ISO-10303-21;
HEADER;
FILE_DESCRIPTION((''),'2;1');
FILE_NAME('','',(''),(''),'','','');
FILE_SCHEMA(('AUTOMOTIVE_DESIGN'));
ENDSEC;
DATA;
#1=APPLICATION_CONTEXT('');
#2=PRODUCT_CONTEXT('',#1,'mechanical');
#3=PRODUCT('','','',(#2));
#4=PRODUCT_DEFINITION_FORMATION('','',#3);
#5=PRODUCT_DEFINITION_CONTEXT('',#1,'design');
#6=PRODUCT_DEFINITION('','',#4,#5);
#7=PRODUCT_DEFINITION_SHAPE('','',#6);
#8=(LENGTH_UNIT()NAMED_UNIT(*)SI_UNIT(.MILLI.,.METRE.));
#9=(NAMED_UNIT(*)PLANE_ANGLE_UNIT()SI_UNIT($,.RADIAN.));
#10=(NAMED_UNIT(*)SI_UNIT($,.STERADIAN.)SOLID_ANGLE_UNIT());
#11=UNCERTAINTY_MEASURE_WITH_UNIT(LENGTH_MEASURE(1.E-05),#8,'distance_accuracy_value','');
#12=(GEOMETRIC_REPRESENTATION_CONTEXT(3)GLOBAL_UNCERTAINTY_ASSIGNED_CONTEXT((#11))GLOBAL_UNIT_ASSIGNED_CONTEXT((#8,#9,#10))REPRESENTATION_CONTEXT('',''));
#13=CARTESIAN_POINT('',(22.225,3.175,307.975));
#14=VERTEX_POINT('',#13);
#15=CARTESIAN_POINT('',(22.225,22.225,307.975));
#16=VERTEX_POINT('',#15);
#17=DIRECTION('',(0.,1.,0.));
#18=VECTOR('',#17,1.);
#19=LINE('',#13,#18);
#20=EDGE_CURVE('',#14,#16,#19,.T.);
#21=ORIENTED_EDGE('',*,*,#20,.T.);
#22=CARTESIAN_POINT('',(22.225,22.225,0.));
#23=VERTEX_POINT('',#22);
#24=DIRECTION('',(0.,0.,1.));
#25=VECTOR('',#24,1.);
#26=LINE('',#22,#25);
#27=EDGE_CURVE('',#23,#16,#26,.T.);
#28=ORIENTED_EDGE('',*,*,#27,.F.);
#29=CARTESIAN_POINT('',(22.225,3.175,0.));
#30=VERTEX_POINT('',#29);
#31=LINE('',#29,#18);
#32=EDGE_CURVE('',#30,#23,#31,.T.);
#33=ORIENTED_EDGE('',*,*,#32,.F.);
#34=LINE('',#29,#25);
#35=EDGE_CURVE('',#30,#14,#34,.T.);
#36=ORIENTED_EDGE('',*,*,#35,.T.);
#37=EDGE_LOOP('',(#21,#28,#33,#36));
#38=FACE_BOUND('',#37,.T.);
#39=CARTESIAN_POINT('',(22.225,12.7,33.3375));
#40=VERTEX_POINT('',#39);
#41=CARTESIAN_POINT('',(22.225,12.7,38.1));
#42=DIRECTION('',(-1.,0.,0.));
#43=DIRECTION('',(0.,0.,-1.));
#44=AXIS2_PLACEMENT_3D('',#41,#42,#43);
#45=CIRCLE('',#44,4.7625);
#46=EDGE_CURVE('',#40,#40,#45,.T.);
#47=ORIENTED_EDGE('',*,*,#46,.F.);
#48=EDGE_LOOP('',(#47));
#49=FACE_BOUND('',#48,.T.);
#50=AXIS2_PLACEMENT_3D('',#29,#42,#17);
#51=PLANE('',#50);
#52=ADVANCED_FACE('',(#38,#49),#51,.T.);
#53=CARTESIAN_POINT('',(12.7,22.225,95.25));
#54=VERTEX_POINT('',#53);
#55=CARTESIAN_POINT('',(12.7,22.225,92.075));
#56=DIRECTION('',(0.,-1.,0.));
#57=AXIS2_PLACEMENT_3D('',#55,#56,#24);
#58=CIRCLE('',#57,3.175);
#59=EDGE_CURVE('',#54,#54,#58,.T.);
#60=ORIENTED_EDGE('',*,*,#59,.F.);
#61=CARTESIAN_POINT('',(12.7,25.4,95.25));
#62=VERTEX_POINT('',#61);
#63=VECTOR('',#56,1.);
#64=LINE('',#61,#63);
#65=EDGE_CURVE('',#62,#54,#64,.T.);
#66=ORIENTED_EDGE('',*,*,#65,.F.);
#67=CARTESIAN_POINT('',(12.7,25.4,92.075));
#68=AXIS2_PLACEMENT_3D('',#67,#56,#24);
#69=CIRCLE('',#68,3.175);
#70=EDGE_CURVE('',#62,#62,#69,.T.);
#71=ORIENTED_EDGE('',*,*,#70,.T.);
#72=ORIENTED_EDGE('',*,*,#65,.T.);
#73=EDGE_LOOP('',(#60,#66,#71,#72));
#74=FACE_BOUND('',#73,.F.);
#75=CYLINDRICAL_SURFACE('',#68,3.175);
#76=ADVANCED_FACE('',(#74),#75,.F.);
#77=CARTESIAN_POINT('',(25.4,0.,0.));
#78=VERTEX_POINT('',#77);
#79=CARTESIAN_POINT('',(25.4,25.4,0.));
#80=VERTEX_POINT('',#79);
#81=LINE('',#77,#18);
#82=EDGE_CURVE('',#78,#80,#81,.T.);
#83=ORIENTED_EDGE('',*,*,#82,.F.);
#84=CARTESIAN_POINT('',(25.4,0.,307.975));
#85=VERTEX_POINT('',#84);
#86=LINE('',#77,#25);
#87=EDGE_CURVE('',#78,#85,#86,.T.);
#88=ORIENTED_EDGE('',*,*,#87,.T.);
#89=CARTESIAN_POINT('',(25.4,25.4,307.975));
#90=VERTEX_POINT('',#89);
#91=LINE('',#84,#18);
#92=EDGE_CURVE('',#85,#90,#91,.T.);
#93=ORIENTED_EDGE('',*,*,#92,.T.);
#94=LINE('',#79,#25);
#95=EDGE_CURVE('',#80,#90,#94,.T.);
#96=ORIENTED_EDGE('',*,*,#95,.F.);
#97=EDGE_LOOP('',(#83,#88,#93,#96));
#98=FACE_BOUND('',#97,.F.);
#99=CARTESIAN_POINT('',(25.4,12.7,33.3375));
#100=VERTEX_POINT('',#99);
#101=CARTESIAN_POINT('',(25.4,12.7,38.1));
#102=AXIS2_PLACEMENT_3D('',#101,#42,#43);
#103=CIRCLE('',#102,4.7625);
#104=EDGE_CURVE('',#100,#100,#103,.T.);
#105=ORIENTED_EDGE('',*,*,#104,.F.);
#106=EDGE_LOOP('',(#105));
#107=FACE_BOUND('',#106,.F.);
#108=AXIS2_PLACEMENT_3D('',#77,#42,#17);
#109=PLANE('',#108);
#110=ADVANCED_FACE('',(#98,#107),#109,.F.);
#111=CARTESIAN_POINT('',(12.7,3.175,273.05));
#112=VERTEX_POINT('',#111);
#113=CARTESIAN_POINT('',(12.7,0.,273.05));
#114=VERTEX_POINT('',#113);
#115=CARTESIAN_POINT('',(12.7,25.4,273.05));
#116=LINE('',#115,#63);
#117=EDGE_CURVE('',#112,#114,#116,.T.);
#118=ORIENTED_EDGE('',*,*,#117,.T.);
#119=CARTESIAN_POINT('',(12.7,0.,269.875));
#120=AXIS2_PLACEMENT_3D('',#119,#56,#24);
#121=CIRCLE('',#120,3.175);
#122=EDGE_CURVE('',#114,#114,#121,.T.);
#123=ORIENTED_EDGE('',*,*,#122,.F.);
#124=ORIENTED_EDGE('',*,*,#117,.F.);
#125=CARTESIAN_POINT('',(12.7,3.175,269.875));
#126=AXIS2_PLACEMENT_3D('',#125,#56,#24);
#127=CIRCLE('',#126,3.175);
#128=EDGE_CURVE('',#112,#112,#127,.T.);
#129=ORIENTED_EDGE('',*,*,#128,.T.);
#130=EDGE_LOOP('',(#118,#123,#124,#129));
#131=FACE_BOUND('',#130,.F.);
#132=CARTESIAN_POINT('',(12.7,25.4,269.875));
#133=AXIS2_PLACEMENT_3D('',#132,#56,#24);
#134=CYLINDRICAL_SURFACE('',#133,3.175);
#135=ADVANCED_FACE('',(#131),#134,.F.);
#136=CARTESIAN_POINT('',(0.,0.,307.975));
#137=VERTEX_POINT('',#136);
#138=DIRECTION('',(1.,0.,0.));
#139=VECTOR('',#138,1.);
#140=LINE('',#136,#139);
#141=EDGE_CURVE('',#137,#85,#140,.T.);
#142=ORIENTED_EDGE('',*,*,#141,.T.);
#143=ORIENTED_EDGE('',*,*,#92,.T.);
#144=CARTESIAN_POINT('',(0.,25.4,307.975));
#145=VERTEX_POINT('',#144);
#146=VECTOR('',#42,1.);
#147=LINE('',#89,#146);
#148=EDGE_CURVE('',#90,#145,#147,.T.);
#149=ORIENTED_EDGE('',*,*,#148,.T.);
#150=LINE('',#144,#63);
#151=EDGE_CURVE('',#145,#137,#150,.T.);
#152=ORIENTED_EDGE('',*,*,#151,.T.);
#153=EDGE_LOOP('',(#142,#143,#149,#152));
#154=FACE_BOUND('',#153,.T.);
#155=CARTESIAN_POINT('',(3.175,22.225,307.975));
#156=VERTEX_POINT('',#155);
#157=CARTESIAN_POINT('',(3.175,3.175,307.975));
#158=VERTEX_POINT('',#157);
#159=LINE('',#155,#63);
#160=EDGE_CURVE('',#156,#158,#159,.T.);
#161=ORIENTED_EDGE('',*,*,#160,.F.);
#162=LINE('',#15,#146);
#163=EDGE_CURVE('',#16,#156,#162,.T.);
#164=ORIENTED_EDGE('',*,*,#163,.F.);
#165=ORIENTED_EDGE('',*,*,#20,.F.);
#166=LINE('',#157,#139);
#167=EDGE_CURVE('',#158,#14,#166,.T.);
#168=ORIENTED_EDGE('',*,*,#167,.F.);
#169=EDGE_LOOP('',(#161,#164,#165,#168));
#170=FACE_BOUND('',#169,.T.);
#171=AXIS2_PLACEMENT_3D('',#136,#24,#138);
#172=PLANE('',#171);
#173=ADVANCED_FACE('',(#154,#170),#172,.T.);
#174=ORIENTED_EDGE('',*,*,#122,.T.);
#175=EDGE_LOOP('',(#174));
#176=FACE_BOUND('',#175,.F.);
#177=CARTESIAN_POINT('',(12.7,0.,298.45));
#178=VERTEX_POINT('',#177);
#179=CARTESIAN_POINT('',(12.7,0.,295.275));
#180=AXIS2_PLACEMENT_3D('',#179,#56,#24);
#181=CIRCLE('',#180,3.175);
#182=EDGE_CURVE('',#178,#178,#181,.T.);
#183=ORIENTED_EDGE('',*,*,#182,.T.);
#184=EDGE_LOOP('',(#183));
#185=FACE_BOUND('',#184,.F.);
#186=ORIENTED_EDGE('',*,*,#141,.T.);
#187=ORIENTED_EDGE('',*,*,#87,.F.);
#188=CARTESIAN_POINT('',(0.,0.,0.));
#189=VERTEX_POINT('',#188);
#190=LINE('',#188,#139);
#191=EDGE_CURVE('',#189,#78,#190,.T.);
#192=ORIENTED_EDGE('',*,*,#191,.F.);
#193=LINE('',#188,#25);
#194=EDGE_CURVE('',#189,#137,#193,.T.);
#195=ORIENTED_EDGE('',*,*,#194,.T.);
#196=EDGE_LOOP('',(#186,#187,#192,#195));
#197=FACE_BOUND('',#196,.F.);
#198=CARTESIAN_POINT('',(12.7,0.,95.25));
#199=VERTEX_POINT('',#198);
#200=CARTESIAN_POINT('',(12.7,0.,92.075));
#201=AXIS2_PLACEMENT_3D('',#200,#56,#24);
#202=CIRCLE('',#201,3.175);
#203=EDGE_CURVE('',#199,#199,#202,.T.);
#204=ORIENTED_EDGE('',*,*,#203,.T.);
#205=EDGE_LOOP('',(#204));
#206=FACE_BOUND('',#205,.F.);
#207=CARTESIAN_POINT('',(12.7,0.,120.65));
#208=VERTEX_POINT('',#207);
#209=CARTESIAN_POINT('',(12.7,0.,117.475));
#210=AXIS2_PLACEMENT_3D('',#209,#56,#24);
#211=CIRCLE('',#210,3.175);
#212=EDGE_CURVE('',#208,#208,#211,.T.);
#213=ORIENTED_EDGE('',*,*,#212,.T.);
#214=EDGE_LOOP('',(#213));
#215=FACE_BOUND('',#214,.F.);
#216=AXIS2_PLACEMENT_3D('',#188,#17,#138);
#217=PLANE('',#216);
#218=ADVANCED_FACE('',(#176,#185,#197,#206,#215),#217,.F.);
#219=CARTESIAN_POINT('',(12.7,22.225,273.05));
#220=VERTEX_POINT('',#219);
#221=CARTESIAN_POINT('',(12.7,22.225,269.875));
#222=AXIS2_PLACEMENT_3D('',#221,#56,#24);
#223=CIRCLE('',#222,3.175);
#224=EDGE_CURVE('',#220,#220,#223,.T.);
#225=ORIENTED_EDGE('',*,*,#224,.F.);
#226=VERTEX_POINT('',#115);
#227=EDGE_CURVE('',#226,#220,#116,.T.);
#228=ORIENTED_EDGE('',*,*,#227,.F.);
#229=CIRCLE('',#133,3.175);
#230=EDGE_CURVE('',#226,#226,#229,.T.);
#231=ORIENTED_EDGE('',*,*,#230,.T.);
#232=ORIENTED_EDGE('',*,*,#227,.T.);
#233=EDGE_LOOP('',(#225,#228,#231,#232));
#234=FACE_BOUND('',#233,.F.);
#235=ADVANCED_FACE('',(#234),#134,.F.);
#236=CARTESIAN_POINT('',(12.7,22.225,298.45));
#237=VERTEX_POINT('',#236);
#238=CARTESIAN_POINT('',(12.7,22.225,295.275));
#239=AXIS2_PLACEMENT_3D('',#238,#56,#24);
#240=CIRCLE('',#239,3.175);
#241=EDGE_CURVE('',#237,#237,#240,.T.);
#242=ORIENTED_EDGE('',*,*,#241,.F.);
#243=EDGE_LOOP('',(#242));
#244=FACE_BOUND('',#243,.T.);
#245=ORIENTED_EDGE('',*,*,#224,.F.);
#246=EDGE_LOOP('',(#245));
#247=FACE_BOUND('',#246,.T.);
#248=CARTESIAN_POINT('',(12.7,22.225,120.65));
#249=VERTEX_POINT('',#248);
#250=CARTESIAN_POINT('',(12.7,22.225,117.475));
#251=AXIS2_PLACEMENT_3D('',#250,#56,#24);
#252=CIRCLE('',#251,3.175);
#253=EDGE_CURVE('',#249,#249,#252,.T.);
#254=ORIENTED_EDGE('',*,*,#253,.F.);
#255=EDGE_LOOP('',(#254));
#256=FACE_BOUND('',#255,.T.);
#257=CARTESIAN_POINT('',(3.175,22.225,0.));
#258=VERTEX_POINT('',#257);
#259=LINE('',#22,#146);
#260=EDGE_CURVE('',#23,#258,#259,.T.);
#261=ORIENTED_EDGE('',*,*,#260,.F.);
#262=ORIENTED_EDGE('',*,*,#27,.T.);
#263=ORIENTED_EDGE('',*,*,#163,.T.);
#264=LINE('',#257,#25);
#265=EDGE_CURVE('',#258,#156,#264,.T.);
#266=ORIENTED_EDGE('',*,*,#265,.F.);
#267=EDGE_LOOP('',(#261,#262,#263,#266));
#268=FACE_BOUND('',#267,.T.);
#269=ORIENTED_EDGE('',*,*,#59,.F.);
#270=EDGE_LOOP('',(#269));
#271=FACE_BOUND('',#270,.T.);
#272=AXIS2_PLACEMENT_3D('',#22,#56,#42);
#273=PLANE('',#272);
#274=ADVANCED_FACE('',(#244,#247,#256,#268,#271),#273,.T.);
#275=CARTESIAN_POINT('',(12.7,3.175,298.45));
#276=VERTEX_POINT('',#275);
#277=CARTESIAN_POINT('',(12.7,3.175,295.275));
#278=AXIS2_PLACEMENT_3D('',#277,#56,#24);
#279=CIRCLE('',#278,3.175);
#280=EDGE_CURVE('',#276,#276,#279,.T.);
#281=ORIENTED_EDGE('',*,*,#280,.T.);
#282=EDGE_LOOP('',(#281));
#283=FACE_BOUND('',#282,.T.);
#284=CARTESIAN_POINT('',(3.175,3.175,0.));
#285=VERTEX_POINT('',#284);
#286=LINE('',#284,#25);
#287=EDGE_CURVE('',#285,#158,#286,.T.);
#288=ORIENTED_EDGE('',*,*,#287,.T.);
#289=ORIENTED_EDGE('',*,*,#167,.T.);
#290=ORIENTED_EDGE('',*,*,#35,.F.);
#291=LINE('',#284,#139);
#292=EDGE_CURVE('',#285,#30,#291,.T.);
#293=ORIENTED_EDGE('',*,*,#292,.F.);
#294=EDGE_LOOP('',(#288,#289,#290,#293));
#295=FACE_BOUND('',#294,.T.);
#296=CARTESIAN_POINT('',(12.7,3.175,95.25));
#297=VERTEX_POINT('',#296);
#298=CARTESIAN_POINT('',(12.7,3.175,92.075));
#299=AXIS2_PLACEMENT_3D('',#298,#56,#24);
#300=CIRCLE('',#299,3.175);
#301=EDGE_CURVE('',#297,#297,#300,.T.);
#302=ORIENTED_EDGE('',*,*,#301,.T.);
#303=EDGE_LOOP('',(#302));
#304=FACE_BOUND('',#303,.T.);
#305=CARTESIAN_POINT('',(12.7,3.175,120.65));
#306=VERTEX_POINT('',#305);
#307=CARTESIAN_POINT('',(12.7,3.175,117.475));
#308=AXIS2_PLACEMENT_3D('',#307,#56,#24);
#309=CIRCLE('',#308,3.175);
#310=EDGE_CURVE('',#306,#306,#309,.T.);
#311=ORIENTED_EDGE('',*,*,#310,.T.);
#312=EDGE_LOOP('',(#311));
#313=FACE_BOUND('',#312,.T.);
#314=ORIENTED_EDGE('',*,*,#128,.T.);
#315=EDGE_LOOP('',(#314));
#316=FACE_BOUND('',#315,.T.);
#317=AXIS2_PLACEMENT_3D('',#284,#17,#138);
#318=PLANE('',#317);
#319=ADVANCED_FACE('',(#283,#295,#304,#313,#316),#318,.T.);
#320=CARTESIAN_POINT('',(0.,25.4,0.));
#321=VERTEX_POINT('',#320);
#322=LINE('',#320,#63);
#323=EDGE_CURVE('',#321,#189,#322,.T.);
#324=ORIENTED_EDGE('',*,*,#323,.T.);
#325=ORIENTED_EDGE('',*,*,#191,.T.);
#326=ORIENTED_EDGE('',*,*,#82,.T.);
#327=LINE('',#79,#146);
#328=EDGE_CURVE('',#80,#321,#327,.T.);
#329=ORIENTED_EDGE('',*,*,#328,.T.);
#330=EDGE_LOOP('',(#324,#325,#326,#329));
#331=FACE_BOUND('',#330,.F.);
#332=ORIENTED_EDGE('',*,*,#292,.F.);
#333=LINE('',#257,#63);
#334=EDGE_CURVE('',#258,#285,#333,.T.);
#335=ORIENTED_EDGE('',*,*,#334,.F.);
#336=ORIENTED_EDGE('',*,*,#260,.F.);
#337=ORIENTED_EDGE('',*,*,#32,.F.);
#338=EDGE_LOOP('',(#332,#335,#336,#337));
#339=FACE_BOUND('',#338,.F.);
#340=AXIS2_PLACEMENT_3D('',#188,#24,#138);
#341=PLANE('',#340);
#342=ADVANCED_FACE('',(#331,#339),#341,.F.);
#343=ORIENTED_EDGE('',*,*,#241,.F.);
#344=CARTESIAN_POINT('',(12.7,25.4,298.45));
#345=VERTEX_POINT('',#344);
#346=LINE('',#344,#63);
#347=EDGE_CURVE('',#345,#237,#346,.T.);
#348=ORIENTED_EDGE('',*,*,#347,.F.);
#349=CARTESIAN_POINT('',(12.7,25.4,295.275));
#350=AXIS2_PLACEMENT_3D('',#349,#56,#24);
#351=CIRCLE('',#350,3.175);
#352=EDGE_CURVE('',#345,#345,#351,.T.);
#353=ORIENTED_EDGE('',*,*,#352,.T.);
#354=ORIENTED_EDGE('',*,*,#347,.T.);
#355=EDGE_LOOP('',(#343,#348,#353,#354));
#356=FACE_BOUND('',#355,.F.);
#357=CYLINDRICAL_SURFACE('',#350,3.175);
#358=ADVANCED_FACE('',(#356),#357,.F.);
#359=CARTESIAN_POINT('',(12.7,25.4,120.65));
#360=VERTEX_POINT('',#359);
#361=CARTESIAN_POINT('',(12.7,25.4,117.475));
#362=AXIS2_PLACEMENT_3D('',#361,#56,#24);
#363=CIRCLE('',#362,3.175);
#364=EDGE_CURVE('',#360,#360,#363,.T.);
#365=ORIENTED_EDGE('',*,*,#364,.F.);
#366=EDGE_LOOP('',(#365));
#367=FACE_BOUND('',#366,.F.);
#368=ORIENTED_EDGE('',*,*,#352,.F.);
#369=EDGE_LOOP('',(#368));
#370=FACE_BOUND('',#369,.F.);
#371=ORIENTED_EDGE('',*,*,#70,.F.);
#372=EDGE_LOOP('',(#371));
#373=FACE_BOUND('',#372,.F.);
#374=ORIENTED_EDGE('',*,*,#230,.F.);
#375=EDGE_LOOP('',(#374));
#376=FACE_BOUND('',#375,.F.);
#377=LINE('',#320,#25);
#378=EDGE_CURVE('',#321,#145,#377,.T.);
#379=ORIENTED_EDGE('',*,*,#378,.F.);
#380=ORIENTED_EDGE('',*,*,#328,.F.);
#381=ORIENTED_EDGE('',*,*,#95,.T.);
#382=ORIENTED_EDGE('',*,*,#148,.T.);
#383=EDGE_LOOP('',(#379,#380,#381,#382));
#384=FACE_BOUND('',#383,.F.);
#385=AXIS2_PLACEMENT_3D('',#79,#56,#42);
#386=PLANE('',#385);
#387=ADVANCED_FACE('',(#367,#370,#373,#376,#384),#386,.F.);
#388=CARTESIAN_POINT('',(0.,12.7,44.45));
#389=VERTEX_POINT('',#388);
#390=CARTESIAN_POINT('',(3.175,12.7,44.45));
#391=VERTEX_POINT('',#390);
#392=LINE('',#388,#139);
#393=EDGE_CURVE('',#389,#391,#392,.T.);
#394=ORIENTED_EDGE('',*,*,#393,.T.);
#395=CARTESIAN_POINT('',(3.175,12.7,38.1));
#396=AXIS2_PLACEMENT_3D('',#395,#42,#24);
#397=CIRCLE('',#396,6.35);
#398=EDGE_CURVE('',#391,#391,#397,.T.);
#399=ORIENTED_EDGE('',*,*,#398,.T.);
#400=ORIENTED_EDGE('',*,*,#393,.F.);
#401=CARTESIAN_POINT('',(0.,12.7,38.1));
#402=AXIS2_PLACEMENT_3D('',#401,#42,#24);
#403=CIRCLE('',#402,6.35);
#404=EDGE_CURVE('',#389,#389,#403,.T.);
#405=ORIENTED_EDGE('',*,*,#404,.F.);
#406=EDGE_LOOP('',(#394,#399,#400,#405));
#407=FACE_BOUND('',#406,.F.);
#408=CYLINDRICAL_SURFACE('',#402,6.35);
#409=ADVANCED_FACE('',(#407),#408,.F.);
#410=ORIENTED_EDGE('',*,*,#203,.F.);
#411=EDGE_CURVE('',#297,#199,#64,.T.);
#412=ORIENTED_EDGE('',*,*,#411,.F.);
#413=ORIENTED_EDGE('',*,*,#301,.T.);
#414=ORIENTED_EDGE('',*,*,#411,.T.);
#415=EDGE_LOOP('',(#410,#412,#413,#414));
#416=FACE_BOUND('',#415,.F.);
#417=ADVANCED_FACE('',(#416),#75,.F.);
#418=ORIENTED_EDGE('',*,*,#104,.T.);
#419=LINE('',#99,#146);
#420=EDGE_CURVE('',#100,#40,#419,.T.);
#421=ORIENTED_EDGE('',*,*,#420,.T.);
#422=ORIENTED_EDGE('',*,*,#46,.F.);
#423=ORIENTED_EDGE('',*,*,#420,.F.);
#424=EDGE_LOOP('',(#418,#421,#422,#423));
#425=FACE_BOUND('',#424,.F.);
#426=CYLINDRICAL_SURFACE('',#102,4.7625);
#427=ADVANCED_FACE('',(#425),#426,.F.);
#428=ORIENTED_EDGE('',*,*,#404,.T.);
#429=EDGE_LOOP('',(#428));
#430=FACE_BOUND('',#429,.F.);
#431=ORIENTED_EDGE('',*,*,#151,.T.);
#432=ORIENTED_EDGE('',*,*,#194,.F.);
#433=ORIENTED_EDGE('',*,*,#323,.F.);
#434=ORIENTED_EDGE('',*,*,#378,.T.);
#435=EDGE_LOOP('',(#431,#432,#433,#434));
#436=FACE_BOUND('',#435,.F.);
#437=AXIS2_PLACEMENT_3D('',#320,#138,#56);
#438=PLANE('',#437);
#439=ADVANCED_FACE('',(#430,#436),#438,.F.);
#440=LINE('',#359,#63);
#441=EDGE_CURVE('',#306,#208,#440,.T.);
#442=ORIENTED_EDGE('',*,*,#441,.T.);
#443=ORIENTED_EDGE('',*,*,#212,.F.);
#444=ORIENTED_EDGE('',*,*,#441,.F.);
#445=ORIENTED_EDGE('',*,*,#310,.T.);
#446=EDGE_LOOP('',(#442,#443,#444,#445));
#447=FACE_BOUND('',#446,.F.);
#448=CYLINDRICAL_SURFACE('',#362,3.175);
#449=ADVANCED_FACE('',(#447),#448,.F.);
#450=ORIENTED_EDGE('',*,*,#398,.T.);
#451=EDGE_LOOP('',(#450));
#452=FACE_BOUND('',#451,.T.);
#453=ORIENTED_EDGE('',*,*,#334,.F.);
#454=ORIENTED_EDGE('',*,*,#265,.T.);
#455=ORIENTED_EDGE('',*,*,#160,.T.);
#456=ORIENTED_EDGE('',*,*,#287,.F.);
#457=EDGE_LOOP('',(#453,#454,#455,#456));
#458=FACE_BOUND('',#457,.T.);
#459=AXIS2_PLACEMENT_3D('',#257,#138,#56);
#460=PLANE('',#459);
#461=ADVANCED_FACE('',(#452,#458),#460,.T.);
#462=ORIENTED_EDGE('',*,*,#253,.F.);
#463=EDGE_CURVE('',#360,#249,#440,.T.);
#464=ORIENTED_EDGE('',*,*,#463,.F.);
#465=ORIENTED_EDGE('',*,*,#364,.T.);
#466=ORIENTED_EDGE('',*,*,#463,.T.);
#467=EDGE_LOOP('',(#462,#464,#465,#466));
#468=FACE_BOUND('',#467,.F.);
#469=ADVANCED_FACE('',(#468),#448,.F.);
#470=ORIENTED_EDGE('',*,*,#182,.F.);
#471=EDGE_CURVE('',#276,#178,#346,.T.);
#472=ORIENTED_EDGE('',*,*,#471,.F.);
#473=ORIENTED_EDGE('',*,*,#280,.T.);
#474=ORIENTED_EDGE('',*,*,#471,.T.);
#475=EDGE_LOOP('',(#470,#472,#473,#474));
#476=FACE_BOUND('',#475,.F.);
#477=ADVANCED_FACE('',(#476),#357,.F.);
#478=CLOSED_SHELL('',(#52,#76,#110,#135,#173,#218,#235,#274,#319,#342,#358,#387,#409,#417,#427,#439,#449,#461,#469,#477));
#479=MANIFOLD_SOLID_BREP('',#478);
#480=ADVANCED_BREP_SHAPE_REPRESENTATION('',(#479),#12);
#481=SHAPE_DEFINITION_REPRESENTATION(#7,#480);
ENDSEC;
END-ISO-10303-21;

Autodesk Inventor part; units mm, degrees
ref_plane "YZ Plane" through (0, 0, 0) normal (1, 0, 0) x (0, 1, 0)
ref_plane "XZ Plane" through (0, 0, 0) normal (0, 1, 0) x (-1, 0, 0)
ref_plane "XY Plane" through (0, 0, 0) normal (0, 0, 1) x (1, 0, 0)
sketch "Sketch1" plane through (0, 0, 0) normal (0, 0, 1) x (1, 0, 0)
  line L0 (0, 0) -> (25.4, 0)
  line L1 (25.4, 0) -> (25.4, 25.4)
  line L2 (25.4, 25.4) -> (0, 25.4)
  line L3 (0, 25.4) -> (0, 0)
  line L4 (3.175, 3.175) -> (22.225, 3.175)
  line L5 (22.225, 3.175) -> (22.225, 22.225)
  line L6 (22.225, 22.225) -> (3.175, 22.225)
  line L7 (3.175, 22.225) -> (3.175, 3.175)
  dimension "d0" = 25.4
  dimension "d1" = 25.4
  dimension "d2" = 19.05
  dimension "d3" = 19.05
  dimension "d4" = 3.175
  dimension "d5" = 3.175
extrude "Extrusion1" add sketch "Sketch1" along normal blind 307.975
sketch "Sketch2" plane through (0, 25.4, 0) normal (0, 1, 0) x (1, 0, 0)
  line L0 (25.4, -307.975) -> (0, -307.975) projected
  line L1 (25.4, 0) -> (25.4, -307.975) projected
  point P0 (12.7, -295.275)
  point P1 (12.7, -269.875)
  point P2 (12.7, -117.475)
  point P3 (12.7, -92.075)
  dimension "d8" = 12.7
  dimension "d9" = 12.7
  dimension "d11" = 12.7
  dimension "d16" = 12.7
  dimension "d17" = 12.7
  dimension "d34" = 152.4
  dimension "d35" = 25.4
  dimension "d36" = 25.4
hole "Hole1" at (12.7, 25.4, 295.275) at (12.7, 25.4, 269.875) at (12.7, 25.4, 117.475) at (12.7, 25.4, 92.075) direction (0, -1, 0) diameter 6.35 end through all
sketch "Sketch3" plane through (25.4, 0, 0) normal (1, 0, 0) x (0, 0, -1)
  line L0 (0, 0) -> (0, 25.4) projected
  line L1 (0, 0) -> (-307.975, 0) projected
  point P0 (-38.1, 12.7)
  dimension "d25" = 38.1
  dimension "d26" = 12.7
hole "Hole2" at (25.4, 12.7, 38.1) direction (-1, 0, 0) diameter 9.525 end through all
sketch "Sketch4" plane through (0, 0, 0) normal (-1, 0, 0) x (0, 0, 1)
  circle A0 centre (38.1, 12.7) radius 4.7625 projected
  circle A1 centre (38.1, 12.7) radius 6.35
  dimension "d37" = 12.7
extrude "Extrusion2" cut sketch "Sketch4" against normal blind 12.7
properties part number "1x1 lengthwise" material "Aluminum 6061"
